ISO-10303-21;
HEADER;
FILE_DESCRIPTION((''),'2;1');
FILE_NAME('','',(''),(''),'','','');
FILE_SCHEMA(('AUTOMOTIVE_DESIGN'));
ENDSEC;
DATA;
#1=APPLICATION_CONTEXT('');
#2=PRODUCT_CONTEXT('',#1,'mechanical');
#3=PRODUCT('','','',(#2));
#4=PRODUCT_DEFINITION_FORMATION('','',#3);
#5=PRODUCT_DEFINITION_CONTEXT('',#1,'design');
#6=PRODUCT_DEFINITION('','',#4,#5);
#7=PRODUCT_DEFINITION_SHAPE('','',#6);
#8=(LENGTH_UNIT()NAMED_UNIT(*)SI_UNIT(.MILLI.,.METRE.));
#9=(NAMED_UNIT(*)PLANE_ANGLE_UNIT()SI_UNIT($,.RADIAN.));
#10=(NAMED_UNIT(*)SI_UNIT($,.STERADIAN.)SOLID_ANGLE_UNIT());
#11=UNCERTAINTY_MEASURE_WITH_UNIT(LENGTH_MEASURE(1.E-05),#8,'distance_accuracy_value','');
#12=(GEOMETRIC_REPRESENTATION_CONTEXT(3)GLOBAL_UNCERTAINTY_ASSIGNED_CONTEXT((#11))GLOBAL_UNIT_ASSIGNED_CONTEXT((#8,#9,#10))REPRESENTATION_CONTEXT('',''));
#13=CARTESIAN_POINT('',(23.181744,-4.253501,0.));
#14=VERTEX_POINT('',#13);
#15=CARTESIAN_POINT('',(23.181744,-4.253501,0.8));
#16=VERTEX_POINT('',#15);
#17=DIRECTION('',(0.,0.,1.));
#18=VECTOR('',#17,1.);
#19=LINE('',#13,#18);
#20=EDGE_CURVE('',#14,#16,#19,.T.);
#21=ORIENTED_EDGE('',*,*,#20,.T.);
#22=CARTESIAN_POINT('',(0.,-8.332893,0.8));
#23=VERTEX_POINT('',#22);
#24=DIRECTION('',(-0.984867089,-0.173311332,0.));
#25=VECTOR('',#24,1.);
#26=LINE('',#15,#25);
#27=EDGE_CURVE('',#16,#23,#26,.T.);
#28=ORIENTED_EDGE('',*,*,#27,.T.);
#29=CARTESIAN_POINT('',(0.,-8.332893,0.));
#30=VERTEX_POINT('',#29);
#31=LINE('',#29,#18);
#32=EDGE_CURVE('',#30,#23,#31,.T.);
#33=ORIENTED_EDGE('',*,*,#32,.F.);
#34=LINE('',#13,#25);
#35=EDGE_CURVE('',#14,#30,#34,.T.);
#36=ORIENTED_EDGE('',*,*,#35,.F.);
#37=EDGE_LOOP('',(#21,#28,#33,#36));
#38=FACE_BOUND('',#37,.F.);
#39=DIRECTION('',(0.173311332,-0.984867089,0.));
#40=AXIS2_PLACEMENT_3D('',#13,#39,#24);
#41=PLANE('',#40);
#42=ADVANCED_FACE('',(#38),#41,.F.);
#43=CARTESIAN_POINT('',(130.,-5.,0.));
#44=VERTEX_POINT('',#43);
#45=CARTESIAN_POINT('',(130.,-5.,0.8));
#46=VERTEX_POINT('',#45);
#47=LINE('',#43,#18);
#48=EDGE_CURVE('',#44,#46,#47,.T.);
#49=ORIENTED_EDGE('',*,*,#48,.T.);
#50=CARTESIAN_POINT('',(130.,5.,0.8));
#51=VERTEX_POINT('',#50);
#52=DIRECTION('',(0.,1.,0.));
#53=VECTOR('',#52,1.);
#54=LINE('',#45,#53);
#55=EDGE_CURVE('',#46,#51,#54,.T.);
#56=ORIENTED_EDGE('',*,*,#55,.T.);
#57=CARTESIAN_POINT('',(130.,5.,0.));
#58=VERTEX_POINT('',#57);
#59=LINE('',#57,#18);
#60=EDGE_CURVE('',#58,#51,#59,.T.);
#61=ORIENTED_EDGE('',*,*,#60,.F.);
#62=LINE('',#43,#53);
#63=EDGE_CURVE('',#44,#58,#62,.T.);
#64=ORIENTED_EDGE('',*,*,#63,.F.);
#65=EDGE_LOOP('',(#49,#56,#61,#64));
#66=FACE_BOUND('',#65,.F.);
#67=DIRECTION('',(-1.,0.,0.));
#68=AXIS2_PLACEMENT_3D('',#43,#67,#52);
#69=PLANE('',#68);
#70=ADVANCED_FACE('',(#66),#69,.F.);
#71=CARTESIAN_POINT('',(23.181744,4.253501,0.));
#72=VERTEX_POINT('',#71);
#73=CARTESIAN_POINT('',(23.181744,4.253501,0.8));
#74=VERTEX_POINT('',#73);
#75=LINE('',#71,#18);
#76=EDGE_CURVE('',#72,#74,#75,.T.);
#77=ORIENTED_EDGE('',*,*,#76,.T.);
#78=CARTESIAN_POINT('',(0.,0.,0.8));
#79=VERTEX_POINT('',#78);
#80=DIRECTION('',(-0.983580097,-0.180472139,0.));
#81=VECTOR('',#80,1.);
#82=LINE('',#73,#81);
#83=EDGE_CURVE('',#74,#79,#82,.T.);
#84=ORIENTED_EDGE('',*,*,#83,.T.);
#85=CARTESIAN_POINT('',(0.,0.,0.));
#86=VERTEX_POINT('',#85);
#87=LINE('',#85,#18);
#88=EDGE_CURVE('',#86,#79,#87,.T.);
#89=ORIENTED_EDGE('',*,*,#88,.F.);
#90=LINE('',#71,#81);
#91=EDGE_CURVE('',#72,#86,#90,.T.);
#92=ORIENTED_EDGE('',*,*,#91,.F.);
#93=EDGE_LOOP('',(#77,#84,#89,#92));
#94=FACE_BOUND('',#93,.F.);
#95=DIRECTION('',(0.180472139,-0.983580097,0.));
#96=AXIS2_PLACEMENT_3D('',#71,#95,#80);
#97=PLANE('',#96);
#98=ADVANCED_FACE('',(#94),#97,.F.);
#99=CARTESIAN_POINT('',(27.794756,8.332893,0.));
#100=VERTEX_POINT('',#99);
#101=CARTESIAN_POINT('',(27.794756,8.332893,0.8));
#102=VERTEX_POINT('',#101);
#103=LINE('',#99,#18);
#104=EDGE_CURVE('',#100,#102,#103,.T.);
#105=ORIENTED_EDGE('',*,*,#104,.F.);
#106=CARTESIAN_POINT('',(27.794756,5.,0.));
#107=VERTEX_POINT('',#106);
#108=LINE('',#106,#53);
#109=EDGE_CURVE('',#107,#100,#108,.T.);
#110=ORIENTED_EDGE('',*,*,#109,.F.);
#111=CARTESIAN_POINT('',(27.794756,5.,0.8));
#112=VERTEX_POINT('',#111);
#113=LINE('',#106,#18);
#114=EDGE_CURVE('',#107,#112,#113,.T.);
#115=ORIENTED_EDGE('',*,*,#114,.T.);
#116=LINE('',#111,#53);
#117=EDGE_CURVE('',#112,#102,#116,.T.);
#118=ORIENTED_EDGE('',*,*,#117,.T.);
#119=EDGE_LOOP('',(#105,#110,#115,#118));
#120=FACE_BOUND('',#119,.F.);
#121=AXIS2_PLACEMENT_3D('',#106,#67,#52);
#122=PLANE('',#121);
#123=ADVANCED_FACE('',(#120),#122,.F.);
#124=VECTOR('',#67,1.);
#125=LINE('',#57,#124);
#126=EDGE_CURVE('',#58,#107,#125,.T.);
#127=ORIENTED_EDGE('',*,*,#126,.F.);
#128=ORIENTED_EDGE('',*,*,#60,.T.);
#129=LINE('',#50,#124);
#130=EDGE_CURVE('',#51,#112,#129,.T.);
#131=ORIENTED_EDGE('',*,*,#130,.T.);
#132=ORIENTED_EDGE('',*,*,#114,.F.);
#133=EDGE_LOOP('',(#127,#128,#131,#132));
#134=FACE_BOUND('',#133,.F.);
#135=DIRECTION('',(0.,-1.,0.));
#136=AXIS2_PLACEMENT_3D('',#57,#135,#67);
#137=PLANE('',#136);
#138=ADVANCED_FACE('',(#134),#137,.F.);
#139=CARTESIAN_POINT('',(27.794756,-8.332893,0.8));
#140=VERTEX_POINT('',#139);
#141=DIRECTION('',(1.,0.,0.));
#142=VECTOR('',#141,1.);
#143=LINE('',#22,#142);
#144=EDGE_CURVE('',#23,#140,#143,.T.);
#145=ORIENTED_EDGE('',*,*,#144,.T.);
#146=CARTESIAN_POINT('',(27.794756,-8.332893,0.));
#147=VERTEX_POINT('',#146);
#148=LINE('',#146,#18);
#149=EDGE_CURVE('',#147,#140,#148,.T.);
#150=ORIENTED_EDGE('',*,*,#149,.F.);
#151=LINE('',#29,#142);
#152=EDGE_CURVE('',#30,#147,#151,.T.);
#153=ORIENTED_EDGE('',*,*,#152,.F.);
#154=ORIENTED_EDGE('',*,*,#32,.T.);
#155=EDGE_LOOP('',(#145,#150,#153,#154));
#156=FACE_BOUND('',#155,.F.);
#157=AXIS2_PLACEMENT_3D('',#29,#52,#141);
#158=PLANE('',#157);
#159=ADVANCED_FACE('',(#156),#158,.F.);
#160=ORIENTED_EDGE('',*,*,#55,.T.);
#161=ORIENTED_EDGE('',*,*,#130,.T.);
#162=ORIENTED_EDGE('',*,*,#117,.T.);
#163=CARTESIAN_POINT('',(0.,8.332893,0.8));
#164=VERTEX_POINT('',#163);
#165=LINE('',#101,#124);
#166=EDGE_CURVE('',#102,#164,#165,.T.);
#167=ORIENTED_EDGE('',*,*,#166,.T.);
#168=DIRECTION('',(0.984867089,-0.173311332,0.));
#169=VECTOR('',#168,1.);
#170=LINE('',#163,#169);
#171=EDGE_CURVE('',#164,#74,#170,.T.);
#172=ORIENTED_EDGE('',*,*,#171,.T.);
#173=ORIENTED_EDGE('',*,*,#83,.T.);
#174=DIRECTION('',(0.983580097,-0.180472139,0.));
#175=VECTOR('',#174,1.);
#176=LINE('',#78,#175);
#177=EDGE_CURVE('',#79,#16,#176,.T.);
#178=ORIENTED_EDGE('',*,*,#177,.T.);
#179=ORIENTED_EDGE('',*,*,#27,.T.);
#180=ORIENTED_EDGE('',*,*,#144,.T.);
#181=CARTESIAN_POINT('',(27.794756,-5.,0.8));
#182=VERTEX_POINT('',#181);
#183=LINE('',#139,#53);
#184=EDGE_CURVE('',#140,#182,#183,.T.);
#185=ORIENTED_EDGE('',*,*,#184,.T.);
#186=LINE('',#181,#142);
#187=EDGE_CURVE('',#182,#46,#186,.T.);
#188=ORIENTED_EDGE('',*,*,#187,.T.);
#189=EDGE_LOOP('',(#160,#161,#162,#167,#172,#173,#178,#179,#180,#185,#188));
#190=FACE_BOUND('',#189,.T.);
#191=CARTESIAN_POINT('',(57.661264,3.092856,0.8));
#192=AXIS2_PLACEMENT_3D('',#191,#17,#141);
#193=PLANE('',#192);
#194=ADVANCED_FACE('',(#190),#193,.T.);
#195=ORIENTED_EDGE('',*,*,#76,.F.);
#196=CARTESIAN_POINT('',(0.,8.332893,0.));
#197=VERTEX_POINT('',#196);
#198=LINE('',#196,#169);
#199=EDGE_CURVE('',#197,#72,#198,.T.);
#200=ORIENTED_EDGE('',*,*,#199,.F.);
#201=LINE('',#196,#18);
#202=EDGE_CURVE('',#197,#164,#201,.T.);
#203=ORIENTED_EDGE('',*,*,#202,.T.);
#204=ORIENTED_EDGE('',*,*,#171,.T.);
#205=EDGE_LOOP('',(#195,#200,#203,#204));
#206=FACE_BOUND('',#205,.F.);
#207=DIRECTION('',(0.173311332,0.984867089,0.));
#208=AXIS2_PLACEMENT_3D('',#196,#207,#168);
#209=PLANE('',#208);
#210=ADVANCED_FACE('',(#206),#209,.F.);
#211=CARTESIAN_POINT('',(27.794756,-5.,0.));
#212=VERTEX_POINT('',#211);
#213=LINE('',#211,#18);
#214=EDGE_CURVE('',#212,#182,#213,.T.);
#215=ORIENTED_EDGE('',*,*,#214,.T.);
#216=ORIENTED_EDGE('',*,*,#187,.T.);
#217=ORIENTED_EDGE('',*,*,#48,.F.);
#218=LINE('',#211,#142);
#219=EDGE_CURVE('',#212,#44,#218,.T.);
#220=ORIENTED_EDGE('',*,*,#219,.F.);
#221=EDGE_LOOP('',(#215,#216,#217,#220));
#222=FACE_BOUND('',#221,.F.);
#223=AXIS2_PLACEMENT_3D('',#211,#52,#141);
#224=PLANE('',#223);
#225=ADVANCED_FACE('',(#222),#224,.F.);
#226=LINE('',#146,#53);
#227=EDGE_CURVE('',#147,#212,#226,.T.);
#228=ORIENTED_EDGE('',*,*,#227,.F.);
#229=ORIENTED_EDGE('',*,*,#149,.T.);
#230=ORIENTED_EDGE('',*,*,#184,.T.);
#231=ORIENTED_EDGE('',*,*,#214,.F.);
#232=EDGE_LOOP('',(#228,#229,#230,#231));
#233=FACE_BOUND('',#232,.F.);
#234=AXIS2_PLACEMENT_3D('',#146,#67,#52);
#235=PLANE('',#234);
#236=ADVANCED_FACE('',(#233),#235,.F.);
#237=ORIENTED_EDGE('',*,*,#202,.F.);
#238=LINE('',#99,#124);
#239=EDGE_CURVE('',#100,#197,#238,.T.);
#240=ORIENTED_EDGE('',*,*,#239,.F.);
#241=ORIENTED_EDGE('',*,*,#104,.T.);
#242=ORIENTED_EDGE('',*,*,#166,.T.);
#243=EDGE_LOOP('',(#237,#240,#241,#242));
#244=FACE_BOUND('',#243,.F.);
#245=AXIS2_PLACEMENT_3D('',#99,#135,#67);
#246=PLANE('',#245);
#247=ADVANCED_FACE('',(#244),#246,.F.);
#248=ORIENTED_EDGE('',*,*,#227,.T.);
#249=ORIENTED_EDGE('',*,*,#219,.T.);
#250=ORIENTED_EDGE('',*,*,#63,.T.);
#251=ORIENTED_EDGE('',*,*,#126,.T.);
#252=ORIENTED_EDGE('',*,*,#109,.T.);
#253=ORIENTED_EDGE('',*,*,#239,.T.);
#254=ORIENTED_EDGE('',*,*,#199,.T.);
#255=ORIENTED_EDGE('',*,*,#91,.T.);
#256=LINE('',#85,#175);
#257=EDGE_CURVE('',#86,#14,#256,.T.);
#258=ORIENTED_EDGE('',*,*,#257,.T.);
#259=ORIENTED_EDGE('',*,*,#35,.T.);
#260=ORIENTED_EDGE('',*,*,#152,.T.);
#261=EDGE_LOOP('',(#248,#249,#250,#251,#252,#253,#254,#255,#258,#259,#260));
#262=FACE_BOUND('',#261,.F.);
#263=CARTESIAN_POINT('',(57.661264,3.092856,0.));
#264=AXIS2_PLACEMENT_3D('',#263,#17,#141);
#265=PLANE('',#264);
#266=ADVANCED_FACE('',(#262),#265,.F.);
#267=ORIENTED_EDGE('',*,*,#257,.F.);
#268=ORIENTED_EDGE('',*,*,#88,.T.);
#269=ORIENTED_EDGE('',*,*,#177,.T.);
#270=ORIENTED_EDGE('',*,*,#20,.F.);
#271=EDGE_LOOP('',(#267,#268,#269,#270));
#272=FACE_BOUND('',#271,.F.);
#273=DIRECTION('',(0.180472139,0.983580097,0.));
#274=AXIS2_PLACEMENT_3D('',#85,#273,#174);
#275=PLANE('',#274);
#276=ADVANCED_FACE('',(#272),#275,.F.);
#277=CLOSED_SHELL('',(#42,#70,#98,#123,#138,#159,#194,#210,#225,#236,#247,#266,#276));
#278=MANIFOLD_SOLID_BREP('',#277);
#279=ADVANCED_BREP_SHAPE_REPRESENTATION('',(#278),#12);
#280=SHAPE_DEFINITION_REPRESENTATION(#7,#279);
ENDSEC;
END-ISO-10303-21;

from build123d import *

# Parameters (mm, degrees)
F1_DEPTH = 0.8


with BuildPart() as f1:
    # F0 (on Top) → F1 (new body)
    with BuildSketch(Plane.XY):
        Polygon((130, 5), (27.794756, 5), (27.794756, 8.332893), (0, 8.332893), (23.181744, 4.253501), (0, 0), (27.794756, 0), (130, 0), align=None)
        Polygon((130, -5), (130, 0), (27.794756, 0), (0, 0), (23.181744, -4.253501), (0, -8.332893), (27.794756, -8.332893), (27.794756, -5), align=None)
    extrude(amount=F1_DEPTH)


solid = f1.part
